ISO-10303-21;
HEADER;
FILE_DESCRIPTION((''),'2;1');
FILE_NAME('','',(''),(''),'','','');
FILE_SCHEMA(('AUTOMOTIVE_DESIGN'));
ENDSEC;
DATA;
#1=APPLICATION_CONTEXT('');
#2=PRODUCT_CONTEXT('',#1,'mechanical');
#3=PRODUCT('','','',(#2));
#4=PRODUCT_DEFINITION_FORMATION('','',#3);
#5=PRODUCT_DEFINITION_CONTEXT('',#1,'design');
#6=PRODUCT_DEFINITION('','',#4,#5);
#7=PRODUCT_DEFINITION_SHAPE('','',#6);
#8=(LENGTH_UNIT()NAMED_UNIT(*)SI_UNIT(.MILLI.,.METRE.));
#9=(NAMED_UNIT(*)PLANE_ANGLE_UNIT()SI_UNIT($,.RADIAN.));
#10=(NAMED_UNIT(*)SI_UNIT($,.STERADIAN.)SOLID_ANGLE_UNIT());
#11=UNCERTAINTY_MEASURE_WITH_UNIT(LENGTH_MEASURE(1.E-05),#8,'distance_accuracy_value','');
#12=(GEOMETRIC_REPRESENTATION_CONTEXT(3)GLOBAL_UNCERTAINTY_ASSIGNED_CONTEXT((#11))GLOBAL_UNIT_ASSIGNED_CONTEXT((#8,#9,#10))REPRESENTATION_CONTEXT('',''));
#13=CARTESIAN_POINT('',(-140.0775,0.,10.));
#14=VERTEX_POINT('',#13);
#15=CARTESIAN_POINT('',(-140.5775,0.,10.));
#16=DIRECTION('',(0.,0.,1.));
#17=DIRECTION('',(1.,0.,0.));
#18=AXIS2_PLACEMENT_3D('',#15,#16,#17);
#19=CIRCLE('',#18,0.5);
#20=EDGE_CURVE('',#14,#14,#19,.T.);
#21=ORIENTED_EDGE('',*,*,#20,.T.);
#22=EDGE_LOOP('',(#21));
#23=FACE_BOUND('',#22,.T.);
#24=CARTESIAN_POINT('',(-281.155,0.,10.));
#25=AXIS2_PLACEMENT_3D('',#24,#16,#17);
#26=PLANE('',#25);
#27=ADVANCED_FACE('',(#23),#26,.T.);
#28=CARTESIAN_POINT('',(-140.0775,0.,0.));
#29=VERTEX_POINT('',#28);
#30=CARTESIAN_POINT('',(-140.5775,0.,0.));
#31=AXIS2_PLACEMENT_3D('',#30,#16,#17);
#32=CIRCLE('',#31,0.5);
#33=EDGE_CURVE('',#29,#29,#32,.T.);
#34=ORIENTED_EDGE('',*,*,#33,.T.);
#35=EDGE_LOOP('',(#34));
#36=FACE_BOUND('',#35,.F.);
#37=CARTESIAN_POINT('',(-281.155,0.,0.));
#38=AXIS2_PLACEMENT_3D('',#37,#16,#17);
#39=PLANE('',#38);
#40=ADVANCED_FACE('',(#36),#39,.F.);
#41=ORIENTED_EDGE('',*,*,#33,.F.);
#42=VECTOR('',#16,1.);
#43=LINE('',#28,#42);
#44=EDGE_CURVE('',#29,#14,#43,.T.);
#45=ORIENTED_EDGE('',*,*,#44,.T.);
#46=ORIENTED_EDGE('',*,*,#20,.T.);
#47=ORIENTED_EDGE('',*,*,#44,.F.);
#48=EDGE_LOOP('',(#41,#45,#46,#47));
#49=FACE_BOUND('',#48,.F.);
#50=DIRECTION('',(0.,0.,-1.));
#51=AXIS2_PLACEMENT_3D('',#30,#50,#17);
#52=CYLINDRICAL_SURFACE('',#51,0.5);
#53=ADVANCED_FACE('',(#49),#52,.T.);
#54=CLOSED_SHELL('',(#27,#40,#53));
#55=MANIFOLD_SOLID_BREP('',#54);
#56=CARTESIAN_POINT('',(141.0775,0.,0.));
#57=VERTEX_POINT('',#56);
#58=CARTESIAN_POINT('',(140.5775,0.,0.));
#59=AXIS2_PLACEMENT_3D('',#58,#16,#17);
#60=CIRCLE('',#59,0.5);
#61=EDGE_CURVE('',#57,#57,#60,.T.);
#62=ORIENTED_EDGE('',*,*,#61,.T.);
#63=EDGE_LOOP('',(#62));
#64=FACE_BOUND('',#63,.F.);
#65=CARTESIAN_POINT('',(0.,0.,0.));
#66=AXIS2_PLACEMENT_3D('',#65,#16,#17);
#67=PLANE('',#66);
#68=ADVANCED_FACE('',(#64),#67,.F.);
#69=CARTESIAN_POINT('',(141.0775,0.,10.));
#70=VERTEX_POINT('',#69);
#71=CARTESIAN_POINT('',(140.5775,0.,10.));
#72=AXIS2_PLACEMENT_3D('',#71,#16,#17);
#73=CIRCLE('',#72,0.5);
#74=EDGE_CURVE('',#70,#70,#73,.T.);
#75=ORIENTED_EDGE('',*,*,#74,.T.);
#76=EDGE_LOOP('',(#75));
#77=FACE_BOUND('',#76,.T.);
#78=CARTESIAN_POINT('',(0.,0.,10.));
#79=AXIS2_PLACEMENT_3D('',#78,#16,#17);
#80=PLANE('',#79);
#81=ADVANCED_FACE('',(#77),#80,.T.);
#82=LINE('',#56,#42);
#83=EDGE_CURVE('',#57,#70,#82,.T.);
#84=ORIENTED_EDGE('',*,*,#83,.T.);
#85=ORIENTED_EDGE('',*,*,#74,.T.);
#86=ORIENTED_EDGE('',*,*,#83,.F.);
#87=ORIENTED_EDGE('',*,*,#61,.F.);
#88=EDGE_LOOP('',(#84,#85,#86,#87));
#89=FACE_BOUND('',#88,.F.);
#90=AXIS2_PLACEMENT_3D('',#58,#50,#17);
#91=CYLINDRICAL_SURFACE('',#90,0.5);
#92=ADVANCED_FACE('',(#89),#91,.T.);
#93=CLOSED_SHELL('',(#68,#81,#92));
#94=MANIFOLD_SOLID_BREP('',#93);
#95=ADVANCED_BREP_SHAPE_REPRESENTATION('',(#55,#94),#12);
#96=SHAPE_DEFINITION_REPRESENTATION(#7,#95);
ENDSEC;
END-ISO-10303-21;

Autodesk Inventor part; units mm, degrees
ref_plane "YZ Plane" through (0, 0, 0) normal (1, 0, 0) x (0, 1, 0)
ref_plane "XZ Plane" through (0, 0, 0) normal (0, 1, 0) x (-1, 0, 0)
ref_plane "XY Plane" through (0, 0, 0) normal (0, 0, 1) x (1, 0, 0)
sketch "Sketch1" plane through (0, 0, 0) normal (0, 0, 1) x (1, 0, 0)
  line L0 (-200.5775, -9.75) -> (200.5775, -9.75)
  line L1 (200.5775, -9.75) -> (200.5775, 9.75)
  line L2 (200.5775, 9.75) -> (-200.5775, 9.75)
  line L3 (-200.5775, 9.75) -> (-200.5775, -9.75)
  line L4 (-200.5775, -9.75) -> (200.5775, 9.75) construction
  line L5 (200.5775, -9.75) -> (-200.5775, 9.75) construction
  point P0 (0, 0)
  dimension "d0" = 401.155
  dimension "d1" = 19.5
sketch "Lamello" plane through (0, 0, 0) normal (0, 0, 1) x (1, 0, 0)
  line L0 (48.383, 141.1858) -> (42.783, 141.1858)
  line L1 (40.583, 139.6858) -> (40.583, 114.6858)
  line L2 (42.783, 113.1858) -> (48.383, 113.1858)
  line L3 (50.583, 114.6858) -> (50.583, 139.6858)
  line L4 (50.583, 139.6858) -> (48.383, 141.1858)
  line L5 (40.583, 139.6858) -> (42.783, 141.1858)
  line L6 (40.583, 114.6858) -> (42.783, 113.1858)
  line L7 (50.583, 114.6858) -> (48.383, 113.1858)
  line L8 (50.583, 127.1858) -> (40.583, 127.1858)
  line L9 (45.583, 141.1858) -> (45.583, 113.1858)
  point P0 (45.583, 127.1858)
  point P1 (50.583, 141.1858)
  point P2 (40.583, 113.1858)
  point P3 (40.583, 141.1858)
  point P4 (50.583, 113.1858)
  dimension "d54" = 10
  dimension "d55" = 28
  dimension "d56" = 1.5
  dimension "d57" = 2.2
  dimension "d58" = 1.5
  dimension "d59" = 2.2
  dimension "d60" = 1.5
  dimension "d61" = 2.2
  dimension "d62" = 1.5
  dimension "d63" = 2.2
sketch "Sketch2" plane through (0, 0, 0) normal (0, 0, 1) x (1, 0, 0)
  circle A0 centre (140.5775, 0) radius 0.5
  line L0 (200.5775, 9.75) -> (-200.5775, 9.75) projected
  line L1 (-200.5775, -9.75) -> (200.5775, -9.75) projected
  line L2 (0, -131.2) -> (0, 80.2) projected
  line L3 (200.5775, -9.75) -> (200.5775, 9.75) projected
  point P0 (0, 0)
  dimension "d4" = 1
  dimension "d50" = 9.75
  dimension "d70" = 60
extrude "Extrusion1" add sketch "Sketch2" along normal blind 10 contours A0
pattern_linear "Clamex Array" count 2 spacing 281.155 along (-1, 0, 0) of "Extrusion1"
sketch "Edge-Side Connection" plane through (0, 0, 0) normal (1, 0, 0) x (0, 1, 0)
  line L0 (-50, 0) -> (50, 0)
  line L1 (50, 0) -> (50, 19)
  line L2 (50, 19) -> (-50, 19)
  line L3 (-50, 19) -> (-50, 0)
  line L4 (-9.75, 0) -> (-9.75, -40)
  line L5 (-9.75, -40) -> (9.75, -40)
  line L6 (9.75, -40) -> (9.75, 0)
  line L7 (0, -14) -> (0, 14) construction
  line L8 (9.75, 0) -> (5, 0)
  line L9 (-5, -12.5) -> (-9.75, -12.5)
  point P0 (0, 0)
  point P1 (9.75, 0)
  point P2 (0, 0)
  dimension "d26" = 100
  dimension "d27" = 19
  dimension "d28" = 40
  dimension "OtherSideRefYCoordinate" = 9.75
  dimension "ReferenceCoord" = 9.75
  dimension "d49" = 90
sketch "Edge-Edge Connection" plane through (0, 0, 0) normal (1, 0, 0) x (0, 1, 0)
  line L0 (-101, 19) -> (19, 19)
  line L1 (19, 19) -> (0, 0)
  line L2 (0, 0) -> (-101, 0)
  line L3 (-101, 0) -> (-101, 19)
  line L4 (19, 19) -> (19, -101)
  line L5 (0, 0) -> (0, -101)
  line L6 (0, -101) -> (19, -101)
  line L7 (1.28, 1.28) -> (0, 0)
  line L8 (-0.4878, 17.1899) -> (-0.4878, 19)
  point P0 (4.8155, 4.8155)
  dimension "d51" = 19
  dimension "d53" = 19
  dimension "EdgeEdgeReferenceCoord" = 6.8101
  dimension "d65" = 90
  dimension "d66" = 120
  dimension "d67" = 120
  dimension "EdgeEdgeOtherSideRefYCoordinate" = 20.0599
equation "\"d9\" = Step"
equation "\"d27\" = NestleBoardT"
equation "\"d0\" = ContactPatchWidth"
equation "\"d1\" = ContactPatchHeight"
equation "\"ContactPatchWidth\" = 401.155"
equation "\"ContactPatchHeight\" = 19.5"
equation "\"PlacingWidth\" = 281.155"
equation "\"MinDistBetween\" = 96"
equation "\"Step\" = 281.155"
equation "\"Y_Coord\" = 9.75"
equation "\"NestleBoardT\" = 19"
equation "\"PillarBoardT\" = 19"
equation "\"AngleForYPositionCalc\" = 90deg"
equation "\"ConnectionAngle\" = 90deg"
equation "\"ShiftY\" = 0"
properties part number "Clamex Joint11200"
